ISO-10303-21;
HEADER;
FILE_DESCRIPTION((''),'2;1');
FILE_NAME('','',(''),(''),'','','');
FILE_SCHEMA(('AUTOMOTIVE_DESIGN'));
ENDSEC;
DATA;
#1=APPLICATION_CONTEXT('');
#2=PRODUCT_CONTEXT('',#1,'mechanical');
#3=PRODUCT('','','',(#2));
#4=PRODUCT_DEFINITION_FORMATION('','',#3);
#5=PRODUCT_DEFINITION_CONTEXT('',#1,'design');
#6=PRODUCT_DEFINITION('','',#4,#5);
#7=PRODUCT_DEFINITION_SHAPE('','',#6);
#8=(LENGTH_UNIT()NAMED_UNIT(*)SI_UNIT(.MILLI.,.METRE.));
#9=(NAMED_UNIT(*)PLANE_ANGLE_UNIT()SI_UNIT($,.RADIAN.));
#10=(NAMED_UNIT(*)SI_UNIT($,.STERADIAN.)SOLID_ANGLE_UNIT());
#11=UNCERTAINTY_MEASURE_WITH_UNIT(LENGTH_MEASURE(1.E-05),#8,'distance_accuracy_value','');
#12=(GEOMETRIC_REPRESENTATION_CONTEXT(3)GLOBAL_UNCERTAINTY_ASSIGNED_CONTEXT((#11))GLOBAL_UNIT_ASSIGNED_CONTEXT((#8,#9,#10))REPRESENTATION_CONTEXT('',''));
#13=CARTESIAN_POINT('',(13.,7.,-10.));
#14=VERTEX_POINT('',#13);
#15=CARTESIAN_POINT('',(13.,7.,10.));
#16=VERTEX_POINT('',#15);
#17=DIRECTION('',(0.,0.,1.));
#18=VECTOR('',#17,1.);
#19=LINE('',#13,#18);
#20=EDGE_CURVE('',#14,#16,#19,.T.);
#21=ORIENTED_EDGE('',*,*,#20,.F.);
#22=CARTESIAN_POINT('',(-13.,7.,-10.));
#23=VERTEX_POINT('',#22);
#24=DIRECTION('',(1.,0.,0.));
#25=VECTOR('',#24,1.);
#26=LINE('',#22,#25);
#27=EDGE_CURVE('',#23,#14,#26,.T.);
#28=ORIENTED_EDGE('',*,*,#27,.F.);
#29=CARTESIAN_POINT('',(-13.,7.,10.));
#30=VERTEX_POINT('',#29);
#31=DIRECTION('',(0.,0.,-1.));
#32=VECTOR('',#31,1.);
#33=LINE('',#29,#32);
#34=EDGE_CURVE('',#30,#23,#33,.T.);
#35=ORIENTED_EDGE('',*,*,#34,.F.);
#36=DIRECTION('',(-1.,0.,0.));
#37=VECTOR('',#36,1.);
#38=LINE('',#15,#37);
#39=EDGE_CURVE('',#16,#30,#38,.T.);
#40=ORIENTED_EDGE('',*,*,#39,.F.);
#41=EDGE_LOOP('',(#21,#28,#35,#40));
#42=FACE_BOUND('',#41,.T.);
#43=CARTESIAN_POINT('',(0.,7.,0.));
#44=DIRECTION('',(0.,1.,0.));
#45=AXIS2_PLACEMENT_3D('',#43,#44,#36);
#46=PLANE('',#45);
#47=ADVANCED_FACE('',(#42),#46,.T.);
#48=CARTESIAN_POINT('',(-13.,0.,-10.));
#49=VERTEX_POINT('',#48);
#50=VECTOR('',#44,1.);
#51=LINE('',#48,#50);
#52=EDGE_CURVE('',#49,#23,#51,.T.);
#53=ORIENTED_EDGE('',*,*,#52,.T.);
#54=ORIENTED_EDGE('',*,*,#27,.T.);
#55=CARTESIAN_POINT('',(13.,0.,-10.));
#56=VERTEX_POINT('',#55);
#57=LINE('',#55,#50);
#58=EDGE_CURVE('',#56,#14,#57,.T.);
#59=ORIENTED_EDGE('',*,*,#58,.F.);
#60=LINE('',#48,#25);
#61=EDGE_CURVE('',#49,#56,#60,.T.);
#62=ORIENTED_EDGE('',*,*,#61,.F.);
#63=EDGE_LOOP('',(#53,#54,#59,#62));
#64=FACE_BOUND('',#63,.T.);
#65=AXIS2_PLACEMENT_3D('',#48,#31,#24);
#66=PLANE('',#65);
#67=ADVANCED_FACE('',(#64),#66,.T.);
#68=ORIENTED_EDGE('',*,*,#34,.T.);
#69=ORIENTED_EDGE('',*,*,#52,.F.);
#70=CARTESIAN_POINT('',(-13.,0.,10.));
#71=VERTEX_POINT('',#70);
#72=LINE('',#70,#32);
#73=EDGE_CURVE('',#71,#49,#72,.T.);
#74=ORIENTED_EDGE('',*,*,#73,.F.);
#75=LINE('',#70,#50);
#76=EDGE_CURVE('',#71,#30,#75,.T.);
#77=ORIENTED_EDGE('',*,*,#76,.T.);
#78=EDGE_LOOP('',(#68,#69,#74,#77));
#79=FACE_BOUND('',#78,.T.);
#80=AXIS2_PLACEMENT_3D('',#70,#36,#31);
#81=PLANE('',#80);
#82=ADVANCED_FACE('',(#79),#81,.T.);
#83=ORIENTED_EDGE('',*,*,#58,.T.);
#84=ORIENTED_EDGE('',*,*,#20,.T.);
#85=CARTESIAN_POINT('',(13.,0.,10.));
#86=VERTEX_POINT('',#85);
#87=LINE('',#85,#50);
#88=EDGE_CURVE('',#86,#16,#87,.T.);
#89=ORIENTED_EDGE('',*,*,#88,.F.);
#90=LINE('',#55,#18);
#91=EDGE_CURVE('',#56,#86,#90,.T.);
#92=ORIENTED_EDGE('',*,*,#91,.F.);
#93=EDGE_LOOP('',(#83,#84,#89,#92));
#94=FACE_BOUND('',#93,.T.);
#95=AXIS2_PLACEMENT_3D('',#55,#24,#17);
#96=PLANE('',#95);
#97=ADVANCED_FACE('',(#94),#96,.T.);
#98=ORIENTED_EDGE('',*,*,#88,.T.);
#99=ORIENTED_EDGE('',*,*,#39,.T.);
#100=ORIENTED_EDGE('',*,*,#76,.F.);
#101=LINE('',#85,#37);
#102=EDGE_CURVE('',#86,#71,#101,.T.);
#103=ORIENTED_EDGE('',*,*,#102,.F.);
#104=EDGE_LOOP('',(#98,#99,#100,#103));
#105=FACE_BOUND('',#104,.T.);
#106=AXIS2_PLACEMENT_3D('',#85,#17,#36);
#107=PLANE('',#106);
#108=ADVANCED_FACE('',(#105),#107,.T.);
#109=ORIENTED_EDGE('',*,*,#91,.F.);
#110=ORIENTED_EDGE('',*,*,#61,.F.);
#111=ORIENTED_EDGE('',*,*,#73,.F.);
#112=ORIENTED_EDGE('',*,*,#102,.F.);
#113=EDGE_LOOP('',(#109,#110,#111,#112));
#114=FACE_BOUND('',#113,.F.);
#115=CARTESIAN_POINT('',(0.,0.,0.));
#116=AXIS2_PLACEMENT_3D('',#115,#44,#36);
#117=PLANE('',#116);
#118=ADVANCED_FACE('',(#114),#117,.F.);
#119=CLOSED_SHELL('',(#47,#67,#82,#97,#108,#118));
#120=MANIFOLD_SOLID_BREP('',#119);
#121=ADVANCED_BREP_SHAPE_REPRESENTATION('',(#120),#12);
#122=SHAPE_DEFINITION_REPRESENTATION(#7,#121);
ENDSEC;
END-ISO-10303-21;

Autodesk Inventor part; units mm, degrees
ref_plane "YZ Plane" through (0, 0, 0) normal (1, 0, 0) x (0, 1, 0)
ref_plane "XZ Plane" through (0, 0, 0) normal (0, 1, 0) x (-1, 0, 0)
ref_plane "XY Plane" through (0, 0, 0) normal (0, 0, 1) x (1, 0, 0)
sketch "Sketch1" plane through (0, 0, 0) normal (0, 1, 0) x (-1, 0, 0)
  line L0 (-13, 10) -> (13, 10)
  line L1 (13, 10) -> (13, -10)
  line L2 (13, -10) -> (-13, -10)
  line L3 (-13, -10) -> (-13, 10)
  line L4 (-13, 10) -> (13, -10) construction
  line L5 (13, 10) -> (-13, -10) construction
  point P0 (0, 0)
  dimension "d0" = 26
  dimension "d1" = 20
extrude "Extrusion1" add sketch "Sketch1" along normal blind 7
properties part number "Repeat Dual - Temp"
